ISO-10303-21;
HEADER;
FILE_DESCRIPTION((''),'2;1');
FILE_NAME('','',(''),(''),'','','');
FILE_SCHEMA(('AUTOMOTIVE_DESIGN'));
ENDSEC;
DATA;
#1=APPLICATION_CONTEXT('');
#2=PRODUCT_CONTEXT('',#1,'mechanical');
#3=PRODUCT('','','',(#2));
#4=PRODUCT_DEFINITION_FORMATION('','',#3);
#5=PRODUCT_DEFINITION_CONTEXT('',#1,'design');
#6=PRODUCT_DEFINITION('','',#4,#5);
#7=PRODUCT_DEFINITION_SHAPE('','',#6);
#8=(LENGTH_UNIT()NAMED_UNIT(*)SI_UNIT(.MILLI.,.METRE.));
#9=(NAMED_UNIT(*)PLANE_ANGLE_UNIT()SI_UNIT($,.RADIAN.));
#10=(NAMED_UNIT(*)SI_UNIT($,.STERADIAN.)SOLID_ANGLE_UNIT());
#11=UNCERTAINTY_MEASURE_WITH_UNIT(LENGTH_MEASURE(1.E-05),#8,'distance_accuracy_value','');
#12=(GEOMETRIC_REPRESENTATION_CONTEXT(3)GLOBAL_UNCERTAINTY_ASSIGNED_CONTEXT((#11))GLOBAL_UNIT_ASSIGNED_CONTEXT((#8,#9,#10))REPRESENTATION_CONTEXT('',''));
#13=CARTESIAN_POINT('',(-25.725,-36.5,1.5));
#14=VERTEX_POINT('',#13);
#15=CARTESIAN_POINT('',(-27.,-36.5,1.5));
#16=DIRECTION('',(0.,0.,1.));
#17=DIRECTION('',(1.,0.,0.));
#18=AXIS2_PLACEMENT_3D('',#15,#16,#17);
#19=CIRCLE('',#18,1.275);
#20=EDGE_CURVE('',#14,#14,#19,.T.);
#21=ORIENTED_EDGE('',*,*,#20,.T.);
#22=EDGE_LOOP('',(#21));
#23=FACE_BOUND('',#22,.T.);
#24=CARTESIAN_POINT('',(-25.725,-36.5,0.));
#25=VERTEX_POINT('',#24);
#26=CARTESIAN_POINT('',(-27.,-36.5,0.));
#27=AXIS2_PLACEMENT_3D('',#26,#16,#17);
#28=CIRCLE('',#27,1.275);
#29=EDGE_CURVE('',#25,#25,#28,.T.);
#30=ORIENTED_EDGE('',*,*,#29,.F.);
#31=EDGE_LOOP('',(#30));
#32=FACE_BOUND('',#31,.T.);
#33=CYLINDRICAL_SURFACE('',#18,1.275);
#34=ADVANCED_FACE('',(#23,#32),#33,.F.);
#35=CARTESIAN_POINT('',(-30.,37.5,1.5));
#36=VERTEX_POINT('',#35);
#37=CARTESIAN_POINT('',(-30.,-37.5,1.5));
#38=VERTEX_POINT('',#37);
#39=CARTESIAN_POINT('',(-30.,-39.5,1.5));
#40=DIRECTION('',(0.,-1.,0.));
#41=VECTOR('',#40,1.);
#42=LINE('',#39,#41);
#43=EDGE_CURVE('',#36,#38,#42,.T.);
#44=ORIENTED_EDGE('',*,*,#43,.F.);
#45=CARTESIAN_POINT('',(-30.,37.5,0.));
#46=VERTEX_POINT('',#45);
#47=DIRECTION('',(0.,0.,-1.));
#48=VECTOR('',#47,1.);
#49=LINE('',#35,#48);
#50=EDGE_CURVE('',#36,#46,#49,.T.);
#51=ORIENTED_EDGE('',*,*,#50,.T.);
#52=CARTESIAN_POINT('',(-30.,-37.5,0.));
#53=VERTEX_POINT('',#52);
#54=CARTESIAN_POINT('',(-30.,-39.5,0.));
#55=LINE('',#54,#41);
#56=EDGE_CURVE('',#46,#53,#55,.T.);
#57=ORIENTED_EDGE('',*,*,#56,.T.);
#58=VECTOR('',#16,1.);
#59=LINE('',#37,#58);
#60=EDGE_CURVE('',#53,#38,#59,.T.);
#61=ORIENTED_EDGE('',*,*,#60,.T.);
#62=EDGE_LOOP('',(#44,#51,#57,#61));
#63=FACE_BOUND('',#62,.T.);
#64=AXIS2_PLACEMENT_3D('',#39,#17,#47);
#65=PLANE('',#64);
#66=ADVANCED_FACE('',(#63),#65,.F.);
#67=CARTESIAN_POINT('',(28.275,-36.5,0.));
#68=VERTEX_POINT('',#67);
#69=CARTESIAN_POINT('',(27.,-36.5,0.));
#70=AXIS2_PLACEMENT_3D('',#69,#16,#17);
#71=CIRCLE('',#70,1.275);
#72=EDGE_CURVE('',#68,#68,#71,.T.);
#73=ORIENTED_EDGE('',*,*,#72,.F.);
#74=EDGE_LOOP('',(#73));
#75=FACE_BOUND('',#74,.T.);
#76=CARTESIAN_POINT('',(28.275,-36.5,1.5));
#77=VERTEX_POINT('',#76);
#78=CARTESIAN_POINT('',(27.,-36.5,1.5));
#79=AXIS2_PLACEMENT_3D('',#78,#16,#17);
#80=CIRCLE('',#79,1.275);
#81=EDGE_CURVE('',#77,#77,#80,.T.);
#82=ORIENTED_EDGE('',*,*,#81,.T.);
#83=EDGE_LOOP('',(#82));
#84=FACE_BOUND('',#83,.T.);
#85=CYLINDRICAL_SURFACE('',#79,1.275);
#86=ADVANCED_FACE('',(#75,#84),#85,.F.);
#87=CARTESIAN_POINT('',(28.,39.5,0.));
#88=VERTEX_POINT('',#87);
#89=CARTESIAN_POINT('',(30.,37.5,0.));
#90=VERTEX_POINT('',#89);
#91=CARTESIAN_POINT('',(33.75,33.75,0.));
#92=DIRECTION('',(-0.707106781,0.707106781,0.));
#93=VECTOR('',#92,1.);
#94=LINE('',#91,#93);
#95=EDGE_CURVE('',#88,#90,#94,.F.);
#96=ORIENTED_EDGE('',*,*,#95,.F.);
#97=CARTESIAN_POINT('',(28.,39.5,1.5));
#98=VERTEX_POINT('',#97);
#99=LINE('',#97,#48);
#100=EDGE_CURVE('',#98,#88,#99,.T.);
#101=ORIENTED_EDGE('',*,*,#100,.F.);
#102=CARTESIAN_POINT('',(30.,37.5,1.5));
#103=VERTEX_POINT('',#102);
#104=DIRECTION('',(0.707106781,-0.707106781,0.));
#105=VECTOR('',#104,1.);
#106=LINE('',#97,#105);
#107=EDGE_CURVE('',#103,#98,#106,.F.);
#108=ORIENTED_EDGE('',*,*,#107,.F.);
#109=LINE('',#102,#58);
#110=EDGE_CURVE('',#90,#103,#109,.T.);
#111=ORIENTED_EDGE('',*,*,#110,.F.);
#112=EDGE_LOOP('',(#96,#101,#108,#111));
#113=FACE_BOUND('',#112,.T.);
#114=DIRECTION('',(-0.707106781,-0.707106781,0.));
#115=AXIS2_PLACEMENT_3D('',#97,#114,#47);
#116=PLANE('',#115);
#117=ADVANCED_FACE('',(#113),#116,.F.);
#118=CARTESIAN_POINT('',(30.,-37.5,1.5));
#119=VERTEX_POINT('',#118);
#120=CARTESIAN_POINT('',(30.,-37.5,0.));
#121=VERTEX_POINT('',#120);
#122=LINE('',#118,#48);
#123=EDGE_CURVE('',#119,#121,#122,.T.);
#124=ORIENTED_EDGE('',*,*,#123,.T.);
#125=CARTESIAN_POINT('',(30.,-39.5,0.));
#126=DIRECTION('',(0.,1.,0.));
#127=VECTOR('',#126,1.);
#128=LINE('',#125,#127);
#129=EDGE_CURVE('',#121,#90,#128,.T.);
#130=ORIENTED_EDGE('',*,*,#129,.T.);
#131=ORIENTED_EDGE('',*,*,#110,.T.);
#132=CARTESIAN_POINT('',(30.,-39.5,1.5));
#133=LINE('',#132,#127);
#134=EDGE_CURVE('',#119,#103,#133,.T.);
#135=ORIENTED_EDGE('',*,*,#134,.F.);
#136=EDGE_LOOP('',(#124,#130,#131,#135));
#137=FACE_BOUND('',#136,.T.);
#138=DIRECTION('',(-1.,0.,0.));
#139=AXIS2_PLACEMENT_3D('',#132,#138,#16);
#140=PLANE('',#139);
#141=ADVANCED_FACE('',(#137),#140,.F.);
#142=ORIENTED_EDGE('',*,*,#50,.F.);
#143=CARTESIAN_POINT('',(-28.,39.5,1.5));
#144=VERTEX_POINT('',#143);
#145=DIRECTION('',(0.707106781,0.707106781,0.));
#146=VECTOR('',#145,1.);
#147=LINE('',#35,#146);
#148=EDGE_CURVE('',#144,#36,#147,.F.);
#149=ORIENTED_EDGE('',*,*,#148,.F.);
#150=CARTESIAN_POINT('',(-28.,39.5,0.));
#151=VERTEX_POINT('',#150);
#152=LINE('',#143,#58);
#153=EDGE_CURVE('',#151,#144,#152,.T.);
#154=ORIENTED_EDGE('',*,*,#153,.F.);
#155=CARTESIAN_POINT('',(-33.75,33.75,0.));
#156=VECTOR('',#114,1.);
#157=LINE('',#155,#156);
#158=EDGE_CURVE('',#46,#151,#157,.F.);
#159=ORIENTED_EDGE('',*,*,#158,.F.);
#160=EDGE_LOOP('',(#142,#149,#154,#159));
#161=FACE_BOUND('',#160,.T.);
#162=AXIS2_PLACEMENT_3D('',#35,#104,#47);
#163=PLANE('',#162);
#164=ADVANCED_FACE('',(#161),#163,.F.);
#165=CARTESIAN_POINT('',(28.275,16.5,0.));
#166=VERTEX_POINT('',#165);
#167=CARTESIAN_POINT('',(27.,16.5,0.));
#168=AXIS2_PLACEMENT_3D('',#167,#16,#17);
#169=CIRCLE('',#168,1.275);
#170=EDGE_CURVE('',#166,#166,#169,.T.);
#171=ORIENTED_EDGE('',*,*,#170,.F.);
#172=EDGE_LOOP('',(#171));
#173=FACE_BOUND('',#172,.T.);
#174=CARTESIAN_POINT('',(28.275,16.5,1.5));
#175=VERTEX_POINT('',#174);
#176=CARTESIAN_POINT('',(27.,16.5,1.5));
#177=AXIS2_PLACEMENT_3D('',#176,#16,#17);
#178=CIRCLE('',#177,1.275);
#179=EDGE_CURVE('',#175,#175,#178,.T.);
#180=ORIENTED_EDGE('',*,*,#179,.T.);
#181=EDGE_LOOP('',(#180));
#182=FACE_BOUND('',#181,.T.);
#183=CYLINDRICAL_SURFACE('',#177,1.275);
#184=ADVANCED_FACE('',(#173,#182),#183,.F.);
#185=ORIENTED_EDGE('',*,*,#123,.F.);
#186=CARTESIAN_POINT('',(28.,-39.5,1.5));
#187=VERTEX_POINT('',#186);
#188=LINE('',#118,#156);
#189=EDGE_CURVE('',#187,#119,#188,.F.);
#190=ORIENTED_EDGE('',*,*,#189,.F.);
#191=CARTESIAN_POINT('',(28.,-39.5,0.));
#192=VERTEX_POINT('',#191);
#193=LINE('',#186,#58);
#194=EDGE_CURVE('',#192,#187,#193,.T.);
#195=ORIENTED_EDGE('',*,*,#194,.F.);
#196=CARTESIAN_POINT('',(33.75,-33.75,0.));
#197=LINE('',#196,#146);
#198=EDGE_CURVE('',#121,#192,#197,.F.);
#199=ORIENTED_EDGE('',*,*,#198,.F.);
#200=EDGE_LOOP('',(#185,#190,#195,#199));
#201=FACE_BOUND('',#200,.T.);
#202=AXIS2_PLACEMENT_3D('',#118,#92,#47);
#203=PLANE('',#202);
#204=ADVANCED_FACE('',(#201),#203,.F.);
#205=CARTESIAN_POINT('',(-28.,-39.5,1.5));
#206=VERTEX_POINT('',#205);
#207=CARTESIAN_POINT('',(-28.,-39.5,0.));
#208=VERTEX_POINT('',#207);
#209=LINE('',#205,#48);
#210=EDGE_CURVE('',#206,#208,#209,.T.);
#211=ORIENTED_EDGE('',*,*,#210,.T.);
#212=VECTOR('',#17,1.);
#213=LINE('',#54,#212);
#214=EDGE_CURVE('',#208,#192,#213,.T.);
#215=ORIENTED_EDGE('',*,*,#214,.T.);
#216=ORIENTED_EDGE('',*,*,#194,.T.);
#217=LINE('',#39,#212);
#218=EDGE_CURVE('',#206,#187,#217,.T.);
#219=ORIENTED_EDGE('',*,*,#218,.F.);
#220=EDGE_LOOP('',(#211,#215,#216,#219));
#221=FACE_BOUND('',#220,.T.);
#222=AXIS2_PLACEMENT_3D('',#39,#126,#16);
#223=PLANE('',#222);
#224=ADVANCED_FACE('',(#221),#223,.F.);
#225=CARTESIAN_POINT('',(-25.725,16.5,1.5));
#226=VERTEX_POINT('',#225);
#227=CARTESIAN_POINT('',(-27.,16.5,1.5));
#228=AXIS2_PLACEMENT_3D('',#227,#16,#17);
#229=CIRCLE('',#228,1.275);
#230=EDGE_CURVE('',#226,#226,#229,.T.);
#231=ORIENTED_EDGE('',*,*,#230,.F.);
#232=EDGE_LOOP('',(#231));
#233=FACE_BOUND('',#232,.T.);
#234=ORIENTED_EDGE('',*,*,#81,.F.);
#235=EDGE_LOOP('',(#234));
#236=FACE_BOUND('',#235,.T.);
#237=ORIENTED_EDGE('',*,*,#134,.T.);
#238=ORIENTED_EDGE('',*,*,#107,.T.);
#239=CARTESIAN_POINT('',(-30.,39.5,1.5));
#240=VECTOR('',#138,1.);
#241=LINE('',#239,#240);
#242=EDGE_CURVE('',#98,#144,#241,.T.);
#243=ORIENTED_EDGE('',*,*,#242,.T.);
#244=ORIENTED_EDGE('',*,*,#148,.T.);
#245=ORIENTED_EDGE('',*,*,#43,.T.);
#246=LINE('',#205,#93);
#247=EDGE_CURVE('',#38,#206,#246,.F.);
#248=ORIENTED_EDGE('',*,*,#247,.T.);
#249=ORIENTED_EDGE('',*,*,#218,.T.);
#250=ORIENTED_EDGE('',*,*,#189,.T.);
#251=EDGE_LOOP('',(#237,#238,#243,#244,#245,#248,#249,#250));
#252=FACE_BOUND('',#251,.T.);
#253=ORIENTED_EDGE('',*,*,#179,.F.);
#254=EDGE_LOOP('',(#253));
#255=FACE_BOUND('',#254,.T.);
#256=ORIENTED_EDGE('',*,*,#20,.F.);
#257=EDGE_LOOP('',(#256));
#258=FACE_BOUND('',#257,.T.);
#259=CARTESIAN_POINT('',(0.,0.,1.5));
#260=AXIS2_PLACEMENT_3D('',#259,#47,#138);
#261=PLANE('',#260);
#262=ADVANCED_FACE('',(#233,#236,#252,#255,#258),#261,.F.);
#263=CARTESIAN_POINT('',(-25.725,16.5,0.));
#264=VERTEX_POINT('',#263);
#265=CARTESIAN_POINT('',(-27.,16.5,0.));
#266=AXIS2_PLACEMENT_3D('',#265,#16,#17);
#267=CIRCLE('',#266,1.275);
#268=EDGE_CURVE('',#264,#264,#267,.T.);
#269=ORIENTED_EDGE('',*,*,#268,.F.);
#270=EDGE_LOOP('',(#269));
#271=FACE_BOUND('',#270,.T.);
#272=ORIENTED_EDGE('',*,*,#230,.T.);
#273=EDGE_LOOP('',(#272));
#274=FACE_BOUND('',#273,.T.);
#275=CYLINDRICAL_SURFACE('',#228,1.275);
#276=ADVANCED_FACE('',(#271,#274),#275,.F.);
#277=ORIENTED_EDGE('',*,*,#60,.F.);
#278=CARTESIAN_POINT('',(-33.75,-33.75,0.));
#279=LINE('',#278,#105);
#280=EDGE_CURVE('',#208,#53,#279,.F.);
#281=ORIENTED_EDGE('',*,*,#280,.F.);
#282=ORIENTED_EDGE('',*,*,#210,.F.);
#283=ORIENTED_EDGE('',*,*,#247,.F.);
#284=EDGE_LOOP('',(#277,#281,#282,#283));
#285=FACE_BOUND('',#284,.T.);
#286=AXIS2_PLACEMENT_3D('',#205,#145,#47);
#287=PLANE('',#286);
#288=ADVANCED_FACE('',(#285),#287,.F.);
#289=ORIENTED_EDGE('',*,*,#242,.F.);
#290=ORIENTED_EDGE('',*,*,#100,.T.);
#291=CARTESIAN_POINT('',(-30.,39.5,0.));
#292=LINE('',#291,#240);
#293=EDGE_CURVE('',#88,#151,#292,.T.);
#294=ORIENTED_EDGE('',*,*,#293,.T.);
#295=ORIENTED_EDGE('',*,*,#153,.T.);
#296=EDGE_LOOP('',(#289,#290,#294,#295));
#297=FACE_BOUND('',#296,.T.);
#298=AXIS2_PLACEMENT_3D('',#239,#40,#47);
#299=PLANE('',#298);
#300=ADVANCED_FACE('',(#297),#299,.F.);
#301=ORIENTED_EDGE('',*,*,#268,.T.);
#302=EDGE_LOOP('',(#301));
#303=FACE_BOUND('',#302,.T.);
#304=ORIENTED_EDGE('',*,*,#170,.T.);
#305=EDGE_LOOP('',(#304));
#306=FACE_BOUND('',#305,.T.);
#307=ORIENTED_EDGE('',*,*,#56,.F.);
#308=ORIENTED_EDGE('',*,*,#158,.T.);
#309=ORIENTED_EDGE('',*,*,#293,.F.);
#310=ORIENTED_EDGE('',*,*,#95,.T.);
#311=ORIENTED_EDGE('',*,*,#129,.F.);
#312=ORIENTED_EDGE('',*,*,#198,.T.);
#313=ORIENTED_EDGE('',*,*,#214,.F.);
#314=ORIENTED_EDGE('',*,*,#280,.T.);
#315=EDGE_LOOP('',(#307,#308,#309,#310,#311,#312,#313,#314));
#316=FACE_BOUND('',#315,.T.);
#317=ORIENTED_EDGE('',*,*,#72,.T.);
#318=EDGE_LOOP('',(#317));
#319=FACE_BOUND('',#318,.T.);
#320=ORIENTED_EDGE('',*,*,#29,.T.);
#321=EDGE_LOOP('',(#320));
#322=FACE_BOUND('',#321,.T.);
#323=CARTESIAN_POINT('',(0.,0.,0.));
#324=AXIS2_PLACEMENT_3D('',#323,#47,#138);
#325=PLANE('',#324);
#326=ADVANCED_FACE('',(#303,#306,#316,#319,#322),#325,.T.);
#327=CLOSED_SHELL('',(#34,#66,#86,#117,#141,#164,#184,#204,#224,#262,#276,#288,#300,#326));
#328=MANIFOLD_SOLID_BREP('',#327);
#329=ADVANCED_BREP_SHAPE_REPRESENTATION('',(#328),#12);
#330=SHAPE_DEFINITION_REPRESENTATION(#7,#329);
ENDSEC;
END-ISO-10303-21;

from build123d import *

# Parameters (mm, degrees)
SKETCH_1_W          = 60
SKETCH_1_H          = 79
EXTRUDE_1_DEPTH     = 1.5
CHAMFER_1_SIZE      = 2
HOLE_WIZARD_M2_51_D = 2.55


with BuildPart() as part:
    # Эскиз1 → Бобышка-Вытянуть1 (new body)
    with BuildSketch(Plane.XY):
        Rectangle(SKETCH_1_W, SKETCH_1_H)
    extrude(amount=EXTRUDE_1_DEPTH)

    # Фаска1
    chamfer_1_edges = [part.edges().sort_by_distance(p)[0] for p in [
        (30, -39.5, 0.75),
        (-30, -39.5, 0.75),
        (-30, 39.5, 0.75),
        (30, 39.5, 0.75),
    ]]
    chamfer(chamfer_1_edges, length=CHAMFER_1_SIZE)

    # Сверло под метчик  спиральное M2.51 (through all)
    with Locations(Plane.XY.offset(1.5)):
        with Locations((-27, 16.5), (27, 16.5), (27, -36.5), (-27, -36.5)):
            Hole(HOLE_WIZARD_M2_51_D / 2)


solid = part.part
